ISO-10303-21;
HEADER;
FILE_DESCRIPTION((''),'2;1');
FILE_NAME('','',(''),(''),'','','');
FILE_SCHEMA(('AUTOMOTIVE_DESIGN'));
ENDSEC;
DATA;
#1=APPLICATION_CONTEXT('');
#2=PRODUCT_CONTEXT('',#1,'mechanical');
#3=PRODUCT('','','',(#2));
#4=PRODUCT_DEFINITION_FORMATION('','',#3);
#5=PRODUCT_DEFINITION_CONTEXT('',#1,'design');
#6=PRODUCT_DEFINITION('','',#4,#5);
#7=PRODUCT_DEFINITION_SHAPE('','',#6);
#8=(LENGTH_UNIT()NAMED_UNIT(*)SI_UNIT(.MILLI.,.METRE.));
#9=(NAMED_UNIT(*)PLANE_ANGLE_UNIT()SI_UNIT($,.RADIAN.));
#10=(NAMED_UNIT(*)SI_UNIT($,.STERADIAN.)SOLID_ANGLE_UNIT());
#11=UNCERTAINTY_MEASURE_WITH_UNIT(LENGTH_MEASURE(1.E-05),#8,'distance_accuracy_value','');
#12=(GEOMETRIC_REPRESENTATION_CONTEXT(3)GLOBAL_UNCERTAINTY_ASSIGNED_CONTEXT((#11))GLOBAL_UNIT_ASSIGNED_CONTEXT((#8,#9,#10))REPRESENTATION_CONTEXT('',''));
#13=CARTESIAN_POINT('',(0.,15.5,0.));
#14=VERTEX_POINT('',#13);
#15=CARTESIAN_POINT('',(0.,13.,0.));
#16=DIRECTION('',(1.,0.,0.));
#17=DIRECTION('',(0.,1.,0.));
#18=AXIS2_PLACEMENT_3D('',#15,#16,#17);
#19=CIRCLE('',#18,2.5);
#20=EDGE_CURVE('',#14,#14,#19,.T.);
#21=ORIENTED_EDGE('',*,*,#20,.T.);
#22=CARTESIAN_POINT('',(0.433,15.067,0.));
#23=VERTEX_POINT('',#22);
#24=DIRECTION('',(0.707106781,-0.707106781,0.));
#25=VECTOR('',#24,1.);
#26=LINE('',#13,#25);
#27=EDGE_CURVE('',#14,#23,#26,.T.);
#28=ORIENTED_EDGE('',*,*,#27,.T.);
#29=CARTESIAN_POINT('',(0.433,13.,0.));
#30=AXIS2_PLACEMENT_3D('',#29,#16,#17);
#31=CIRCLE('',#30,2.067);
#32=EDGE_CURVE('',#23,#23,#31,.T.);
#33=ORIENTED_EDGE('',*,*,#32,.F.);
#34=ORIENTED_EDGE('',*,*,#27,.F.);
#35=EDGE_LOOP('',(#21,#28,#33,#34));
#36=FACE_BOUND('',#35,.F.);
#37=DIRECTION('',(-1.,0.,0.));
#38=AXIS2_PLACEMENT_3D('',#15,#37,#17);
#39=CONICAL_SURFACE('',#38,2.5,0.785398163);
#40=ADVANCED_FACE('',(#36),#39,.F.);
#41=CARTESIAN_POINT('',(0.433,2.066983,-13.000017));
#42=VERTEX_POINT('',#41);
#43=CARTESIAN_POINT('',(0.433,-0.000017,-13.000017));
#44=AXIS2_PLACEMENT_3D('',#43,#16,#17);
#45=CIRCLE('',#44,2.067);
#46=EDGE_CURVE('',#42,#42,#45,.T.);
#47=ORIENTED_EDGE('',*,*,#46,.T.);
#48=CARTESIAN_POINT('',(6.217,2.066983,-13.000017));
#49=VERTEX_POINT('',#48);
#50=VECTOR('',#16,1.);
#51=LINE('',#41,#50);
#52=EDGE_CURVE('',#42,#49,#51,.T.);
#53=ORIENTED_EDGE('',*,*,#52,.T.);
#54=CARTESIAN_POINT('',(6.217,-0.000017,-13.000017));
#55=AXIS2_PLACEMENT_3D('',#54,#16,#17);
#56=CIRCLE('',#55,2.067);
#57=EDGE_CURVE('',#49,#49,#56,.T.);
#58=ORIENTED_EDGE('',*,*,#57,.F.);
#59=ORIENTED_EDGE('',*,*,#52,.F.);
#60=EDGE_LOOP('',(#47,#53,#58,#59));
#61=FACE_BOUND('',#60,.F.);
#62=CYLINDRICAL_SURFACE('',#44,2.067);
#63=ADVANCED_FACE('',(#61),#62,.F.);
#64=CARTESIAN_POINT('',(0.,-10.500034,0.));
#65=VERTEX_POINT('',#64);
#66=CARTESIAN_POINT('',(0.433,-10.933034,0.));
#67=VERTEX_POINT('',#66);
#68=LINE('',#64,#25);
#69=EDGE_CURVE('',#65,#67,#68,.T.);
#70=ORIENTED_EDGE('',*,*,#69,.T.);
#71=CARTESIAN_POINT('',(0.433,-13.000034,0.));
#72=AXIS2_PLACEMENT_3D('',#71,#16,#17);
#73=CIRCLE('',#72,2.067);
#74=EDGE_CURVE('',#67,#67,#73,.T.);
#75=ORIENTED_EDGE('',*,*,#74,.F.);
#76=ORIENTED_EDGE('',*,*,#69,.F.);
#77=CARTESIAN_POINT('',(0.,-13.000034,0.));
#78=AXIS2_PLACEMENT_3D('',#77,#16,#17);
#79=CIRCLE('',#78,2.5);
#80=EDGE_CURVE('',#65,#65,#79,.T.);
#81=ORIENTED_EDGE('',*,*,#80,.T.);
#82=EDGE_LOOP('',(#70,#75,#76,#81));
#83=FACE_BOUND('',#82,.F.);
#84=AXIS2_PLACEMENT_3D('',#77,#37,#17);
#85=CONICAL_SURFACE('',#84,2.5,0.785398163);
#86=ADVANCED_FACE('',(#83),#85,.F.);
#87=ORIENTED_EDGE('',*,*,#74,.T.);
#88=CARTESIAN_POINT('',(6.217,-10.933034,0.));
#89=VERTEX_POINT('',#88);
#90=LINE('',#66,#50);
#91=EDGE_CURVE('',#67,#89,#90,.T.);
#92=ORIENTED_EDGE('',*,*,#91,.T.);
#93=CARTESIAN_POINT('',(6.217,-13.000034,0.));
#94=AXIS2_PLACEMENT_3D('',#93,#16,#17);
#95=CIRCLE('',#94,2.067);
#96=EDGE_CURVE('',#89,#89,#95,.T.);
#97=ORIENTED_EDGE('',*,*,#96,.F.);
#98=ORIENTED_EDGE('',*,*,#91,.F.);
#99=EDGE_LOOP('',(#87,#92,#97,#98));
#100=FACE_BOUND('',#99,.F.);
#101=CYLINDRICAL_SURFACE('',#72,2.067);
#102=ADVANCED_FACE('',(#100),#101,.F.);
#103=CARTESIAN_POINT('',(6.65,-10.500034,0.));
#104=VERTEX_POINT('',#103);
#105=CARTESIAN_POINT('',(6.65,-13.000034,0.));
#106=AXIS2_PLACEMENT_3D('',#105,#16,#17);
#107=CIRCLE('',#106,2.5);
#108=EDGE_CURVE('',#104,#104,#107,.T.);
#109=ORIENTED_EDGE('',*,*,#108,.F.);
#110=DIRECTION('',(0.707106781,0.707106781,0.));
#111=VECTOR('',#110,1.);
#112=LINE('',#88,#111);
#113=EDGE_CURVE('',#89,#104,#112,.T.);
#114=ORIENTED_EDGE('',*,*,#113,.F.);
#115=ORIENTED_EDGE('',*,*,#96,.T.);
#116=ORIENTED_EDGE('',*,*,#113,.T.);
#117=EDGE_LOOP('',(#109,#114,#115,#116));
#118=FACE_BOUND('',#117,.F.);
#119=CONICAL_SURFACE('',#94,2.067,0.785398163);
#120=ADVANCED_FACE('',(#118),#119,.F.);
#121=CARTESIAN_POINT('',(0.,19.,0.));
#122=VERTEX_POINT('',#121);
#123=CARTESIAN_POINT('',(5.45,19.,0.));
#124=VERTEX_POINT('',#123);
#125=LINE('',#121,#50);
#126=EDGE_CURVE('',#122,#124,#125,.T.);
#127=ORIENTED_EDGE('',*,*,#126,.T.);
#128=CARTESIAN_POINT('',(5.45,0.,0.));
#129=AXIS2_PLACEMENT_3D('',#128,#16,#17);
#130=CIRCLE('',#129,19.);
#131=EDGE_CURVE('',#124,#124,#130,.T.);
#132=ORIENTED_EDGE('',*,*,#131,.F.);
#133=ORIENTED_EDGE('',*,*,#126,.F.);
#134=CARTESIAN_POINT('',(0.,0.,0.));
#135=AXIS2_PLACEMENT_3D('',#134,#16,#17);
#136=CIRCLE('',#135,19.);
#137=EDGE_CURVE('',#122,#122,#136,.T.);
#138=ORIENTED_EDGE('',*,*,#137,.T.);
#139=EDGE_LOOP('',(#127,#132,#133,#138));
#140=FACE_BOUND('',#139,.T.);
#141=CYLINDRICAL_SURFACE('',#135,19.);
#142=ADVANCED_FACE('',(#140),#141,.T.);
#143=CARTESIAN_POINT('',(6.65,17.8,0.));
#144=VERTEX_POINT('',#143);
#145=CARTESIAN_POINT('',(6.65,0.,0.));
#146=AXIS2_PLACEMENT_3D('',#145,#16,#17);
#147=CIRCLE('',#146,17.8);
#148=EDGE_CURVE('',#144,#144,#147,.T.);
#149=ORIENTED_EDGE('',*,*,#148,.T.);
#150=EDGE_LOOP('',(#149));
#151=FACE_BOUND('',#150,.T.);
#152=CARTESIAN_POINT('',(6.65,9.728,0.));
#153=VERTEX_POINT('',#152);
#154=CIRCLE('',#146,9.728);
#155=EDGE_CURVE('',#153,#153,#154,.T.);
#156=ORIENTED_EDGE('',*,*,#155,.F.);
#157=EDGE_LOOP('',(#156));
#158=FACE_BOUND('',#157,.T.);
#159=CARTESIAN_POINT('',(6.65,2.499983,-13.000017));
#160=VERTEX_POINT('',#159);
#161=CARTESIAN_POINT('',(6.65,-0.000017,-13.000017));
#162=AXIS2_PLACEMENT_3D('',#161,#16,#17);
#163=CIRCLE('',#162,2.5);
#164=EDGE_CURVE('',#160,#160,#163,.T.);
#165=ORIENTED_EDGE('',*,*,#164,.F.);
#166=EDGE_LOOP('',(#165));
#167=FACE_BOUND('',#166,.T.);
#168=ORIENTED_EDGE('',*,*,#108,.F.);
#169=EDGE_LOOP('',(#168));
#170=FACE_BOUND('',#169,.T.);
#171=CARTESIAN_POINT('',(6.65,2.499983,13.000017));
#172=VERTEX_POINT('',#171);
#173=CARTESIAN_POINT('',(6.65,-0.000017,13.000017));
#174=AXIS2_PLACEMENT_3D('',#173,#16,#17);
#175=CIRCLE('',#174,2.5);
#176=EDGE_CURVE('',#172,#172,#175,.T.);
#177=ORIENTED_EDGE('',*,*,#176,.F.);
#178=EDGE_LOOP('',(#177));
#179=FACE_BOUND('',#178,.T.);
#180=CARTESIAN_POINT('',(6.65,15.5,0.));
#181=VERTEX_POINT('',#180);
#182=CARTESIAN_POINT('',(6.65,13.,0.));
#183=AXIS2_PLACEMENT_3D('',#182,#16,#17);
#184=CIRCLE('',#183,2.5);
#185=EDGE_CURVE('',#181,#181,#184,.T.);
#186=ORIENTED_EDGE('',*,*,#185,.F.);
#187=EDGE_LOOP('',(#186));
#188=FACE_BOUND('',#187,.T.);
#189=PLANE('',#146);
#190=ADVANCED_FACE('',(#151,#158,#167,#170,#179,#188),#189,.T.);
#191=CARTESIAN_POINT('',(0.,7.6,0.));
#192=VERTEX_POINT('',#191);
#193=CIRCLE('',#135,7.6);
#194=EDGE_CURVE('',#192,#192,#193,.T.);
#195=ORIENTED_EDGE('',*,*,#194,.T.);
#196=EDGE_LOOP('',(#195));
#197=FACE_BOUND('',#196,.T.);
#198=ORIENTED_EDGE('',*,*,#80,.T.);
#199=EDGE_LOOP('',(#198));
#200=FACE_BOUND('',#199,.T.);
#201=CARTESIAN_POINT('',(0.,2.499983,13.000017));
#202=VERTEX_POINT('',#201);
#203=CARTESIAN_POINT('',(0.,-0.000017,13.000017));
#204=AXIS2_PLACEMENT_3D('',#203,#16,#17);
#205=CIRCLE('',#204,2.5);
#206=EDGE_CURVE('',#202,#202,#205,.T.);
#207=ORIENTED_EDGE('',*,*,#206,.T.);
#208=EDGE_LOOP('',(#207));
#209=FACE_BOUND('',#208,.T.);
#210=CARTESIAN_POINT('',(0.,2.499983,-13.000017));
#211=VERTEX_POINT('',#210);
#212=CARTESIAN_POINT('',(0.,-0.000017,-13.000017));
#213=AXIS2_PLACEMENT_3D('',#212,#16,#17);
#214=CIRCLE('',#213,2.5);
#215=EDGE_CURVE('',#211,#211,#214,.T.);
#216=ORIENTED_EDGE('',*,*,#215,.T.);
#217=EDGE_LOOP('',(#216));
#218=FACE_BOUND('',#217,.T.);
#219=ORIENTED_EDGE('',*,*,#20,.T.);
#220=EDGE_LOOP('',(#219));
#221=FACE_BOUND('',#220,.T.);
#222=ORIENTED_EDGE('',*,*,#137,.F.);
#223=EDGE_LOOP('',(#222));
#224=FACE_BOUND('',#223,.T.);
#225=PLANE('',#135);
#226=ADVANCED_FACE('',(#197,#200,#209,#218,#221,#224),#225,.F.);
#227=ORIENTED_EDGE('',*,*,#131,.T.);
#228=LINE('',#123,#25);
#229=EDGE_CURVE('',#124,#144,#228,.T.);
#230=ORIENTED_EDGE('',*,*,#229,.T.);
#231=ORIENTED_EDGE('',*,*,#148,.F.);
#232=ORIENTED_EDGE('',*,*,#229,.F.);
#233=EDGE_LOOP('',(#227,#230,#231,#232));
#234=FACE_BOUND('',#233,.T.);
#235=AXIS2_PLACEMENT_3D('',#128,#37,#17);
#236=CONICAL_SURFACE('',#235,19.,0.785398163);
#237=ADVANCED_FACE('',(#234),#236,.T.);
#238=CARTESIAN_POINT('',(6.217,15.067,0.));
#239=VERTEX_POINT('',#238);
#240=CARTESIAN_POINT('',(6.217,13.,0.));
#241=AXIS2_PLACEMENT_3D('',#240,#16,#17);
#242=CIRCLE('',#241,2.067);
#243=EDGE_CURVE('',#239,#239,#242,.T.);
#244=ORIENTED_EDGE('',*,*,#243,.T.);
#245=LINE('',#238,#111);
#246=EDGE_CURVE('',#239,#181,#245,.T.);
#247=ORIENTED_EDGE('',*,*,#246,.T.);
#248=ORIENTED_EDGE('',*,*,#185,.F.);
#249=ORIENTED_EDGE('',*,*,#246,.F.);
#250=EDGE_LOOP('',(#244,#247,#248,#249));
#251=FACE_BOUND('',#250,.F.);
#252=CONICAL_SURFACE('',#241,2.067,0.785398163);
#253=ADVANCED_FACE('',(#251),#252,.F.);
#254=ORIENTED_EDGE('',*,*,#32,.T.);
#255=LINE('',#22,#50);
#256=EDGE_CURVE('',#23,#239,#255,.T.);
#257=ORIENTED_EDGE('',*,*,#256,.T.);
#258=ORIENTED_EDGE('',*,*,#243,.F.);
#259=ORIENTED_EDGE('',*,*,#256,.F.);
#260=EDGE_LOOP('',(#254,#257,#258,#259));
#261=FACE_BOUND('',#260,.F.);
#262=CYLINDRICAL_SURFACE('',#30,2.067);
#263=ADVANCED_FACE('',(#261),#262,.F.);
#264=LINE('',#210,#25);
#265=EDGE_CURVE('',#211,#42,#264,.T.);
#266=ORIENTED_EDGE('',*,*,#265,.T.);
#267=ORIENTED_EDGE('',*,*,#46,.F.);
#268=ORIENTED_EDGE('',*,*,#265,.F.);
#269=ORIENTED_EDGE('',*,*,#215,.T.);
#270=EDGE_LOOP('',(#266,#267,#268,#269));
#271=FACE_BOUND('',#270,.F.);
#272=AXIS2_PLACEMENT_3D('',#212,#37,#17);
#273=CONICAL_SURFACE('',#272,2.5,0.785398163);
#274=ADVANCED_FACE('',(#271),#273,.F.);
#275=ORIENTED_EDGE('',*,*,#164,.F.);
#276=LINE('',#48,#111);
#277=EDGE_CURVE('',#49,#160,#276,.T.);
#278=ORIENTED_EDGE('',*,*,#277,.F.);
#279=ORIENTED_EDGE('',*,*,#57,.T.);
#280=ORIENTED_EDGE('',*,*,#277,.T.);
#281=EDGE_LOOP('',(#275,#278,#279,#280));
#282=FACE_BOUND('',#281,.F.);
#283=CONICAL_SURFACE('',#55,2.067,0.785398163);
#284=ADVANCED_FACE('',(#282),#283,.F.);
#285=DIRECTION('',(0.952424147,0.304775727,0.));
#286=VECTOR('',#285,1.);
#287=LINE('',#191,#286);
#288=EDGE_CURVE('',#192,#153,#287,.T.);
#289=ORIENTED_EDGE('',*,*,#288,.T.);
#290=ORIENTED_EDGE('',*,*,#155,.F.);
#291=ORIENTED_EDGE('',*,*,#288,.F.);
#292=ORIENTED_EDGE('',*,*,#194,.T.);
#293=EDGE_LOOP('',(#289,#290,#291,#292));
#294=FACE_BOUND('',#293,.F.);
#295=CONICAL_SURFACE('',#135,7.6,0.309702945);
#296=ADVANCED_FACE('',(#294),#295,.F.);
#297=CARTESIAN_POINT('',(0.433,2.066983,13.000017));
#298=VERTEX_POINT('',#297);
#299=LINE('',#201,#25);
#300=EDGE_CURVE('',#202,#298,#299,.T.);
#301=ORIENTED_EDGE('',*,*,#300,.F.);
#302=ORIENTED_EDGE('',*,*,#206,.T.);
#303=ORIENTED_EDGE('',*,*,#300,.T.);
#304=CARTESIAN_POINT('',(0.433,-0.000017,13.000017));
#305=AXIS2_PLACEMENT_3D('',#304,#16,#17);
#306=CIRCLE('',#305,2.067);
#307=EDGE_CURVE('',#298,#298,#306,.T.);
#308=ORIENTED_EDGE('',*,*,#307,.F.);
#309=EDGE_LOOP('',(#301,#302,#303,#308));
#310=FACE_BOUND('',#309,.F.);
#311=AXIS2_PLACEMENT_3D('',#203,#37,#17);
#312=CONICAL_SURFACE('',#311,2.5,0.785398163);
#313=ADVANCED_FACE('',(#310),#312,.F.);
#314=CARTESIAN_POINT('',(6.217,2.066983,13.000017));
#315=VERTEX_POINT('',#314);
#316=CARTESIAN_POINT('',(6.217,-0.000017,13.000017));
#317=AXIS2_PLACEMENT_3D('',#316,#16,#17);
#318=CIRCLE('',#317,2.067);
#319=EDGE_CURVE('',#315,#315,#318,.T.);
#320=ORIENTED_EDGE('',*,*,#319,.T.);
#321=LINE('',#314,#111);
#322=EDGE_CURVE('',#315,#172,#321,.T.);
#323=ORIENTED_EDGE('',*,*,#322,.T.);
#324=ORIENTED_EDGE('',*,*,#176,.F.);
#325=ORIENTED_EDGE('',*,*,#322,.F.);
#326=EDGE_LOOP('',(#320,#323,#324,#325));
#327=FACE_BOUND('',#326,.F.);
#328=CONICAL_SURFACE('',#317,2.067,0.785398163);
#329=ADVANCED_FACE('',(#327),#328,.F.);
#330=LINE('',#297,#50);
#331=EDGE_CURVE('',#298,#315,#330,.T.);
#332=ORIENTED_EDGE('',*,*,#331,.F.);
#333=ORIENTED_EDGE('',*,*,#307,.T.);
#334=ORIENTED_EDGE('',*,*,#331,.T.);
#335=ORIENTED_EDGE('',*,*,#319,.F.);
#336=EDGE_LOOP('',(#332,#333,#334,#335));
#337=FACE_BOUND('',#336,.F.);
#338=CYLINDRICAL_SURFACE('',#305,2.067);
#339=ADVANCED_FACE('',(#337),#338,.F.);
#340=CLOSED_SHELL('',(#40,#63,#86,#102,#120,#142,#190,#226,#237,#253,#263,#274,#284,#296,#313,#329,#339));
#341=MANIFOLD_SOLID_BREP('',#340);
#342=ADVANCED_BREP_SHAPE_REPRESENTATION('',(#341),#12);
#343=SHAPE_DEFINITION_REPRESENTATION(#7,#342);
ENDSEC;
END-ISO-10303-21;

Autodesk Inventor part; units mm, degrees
sketch "Sketch_10" plane through (0, 0, 0) normal (0, 0, 1) x (1, 0, 0)
  line L0 (6.65, 0) -> (0, 0)
  line L1 (0, 0) -> (0, 19)
  line L2 (0, 19) -> (5.45, 19)
  line L3 (5.45, 19) -> (6.65, 17.8)
  line L4 (6.65, 17.8) -> (6.65, 0)
  line L5 (6.65, 0) -> (0, 0)
revolve "Revolution1" add sketch "Sketch_10" angle 360 about axis through (6.65, 0, 0) along (1, 0, 0)
sketch "Sketch_11" plane through (0, 0, 0) normal (0, 0, 1) x (1, 0, 0)
  line L0 (6.65, 0) -> (0, 0)
  line L1 (0, 0) -> (0, 7.6)
  line L2 (0, 7.6) -> (6.65, 9.728)
  line L3 (6.65, 9.728) -> (6.65, 0)
  line L4 (6.65, 0) -> (0, 0)
revolve "Revolution2" cut sketch "Sketch_11" angle 360 about axis through (6.65, 0, 0) along (1, 0, 0)
sketch "Sketch_12" plane through (0, 0, 0) normal (0, 0, 1) x (1, 0, 0)
  line L0 (6.65, 13) -> (0, 13)
  line L1 (0, 13) -> (0, 15.5)
  line L2 (0, 15.5) -> (0.433, 15.067)
  line L3 (0.433, 15.067) -> (6.217, 15.067)
  line L4 (6.217, 15.067) -> (6.65, 15.5)
  line L5 (6.65, 15.5) -> (6.65, 13)
  line L6 (6.65, 13) -> (0, 13)
revolve "Revolution3" cut sketch "Sketch_12" angle 360 about axis through (6.65, 13, 0) along (1, 0, 0)
thread "Thread1" size "M5x0.8" class "6H" standard "ISO Metric profile" full length
pattern_linear "Rectangular Pattern1" count 2 spacing 18.3848 along (0, -0.7071, 0.7071) count 2 spacing 18.3848 along (0, -0.7071, -0.7071) of "Revolution3"
ref_plane "at1_dgb_st_XY" through (0, 0, 0) normal (1, 0, 0) x (0, 0, -1)
ref_plane "at1_dgb_st_YZ" through (0, 0, 0) normal (0, 0, -1) x (0, 1, 0)
ref_plane "at1_dgb_st_ZX" through (0, 0, 0) normal (0, 1, 0) x (1, 0, 0)
ref_plane "at_gew_XY" through (15, 0, 0) normal (1, 0, 0) x (0, 0, -1)
ref_plane "at_gew_YZ" through (15, 0, 0) normal (0, 0, -1) x (0, 1, 0)
ref_plane "at_gew_ZX" through (15, 0, 0) normal (0, 1, 0) x (1, 0, 0)
ref_plane "it_schrschei_XY" through (7.5, 0, 0) normal (1, 0, 0) x (0, 0, -1)
ref_plane "it_schrschei_YZ" through (7.5, 0, 0) normal (0, 0, -1) x (0, 1, 0)
ref_plane "it_schrschei_ZX" through (7.5, 0, 0) normal (0, 1, 0) x (1, 0, 0)
properties part number "61581400_2"
